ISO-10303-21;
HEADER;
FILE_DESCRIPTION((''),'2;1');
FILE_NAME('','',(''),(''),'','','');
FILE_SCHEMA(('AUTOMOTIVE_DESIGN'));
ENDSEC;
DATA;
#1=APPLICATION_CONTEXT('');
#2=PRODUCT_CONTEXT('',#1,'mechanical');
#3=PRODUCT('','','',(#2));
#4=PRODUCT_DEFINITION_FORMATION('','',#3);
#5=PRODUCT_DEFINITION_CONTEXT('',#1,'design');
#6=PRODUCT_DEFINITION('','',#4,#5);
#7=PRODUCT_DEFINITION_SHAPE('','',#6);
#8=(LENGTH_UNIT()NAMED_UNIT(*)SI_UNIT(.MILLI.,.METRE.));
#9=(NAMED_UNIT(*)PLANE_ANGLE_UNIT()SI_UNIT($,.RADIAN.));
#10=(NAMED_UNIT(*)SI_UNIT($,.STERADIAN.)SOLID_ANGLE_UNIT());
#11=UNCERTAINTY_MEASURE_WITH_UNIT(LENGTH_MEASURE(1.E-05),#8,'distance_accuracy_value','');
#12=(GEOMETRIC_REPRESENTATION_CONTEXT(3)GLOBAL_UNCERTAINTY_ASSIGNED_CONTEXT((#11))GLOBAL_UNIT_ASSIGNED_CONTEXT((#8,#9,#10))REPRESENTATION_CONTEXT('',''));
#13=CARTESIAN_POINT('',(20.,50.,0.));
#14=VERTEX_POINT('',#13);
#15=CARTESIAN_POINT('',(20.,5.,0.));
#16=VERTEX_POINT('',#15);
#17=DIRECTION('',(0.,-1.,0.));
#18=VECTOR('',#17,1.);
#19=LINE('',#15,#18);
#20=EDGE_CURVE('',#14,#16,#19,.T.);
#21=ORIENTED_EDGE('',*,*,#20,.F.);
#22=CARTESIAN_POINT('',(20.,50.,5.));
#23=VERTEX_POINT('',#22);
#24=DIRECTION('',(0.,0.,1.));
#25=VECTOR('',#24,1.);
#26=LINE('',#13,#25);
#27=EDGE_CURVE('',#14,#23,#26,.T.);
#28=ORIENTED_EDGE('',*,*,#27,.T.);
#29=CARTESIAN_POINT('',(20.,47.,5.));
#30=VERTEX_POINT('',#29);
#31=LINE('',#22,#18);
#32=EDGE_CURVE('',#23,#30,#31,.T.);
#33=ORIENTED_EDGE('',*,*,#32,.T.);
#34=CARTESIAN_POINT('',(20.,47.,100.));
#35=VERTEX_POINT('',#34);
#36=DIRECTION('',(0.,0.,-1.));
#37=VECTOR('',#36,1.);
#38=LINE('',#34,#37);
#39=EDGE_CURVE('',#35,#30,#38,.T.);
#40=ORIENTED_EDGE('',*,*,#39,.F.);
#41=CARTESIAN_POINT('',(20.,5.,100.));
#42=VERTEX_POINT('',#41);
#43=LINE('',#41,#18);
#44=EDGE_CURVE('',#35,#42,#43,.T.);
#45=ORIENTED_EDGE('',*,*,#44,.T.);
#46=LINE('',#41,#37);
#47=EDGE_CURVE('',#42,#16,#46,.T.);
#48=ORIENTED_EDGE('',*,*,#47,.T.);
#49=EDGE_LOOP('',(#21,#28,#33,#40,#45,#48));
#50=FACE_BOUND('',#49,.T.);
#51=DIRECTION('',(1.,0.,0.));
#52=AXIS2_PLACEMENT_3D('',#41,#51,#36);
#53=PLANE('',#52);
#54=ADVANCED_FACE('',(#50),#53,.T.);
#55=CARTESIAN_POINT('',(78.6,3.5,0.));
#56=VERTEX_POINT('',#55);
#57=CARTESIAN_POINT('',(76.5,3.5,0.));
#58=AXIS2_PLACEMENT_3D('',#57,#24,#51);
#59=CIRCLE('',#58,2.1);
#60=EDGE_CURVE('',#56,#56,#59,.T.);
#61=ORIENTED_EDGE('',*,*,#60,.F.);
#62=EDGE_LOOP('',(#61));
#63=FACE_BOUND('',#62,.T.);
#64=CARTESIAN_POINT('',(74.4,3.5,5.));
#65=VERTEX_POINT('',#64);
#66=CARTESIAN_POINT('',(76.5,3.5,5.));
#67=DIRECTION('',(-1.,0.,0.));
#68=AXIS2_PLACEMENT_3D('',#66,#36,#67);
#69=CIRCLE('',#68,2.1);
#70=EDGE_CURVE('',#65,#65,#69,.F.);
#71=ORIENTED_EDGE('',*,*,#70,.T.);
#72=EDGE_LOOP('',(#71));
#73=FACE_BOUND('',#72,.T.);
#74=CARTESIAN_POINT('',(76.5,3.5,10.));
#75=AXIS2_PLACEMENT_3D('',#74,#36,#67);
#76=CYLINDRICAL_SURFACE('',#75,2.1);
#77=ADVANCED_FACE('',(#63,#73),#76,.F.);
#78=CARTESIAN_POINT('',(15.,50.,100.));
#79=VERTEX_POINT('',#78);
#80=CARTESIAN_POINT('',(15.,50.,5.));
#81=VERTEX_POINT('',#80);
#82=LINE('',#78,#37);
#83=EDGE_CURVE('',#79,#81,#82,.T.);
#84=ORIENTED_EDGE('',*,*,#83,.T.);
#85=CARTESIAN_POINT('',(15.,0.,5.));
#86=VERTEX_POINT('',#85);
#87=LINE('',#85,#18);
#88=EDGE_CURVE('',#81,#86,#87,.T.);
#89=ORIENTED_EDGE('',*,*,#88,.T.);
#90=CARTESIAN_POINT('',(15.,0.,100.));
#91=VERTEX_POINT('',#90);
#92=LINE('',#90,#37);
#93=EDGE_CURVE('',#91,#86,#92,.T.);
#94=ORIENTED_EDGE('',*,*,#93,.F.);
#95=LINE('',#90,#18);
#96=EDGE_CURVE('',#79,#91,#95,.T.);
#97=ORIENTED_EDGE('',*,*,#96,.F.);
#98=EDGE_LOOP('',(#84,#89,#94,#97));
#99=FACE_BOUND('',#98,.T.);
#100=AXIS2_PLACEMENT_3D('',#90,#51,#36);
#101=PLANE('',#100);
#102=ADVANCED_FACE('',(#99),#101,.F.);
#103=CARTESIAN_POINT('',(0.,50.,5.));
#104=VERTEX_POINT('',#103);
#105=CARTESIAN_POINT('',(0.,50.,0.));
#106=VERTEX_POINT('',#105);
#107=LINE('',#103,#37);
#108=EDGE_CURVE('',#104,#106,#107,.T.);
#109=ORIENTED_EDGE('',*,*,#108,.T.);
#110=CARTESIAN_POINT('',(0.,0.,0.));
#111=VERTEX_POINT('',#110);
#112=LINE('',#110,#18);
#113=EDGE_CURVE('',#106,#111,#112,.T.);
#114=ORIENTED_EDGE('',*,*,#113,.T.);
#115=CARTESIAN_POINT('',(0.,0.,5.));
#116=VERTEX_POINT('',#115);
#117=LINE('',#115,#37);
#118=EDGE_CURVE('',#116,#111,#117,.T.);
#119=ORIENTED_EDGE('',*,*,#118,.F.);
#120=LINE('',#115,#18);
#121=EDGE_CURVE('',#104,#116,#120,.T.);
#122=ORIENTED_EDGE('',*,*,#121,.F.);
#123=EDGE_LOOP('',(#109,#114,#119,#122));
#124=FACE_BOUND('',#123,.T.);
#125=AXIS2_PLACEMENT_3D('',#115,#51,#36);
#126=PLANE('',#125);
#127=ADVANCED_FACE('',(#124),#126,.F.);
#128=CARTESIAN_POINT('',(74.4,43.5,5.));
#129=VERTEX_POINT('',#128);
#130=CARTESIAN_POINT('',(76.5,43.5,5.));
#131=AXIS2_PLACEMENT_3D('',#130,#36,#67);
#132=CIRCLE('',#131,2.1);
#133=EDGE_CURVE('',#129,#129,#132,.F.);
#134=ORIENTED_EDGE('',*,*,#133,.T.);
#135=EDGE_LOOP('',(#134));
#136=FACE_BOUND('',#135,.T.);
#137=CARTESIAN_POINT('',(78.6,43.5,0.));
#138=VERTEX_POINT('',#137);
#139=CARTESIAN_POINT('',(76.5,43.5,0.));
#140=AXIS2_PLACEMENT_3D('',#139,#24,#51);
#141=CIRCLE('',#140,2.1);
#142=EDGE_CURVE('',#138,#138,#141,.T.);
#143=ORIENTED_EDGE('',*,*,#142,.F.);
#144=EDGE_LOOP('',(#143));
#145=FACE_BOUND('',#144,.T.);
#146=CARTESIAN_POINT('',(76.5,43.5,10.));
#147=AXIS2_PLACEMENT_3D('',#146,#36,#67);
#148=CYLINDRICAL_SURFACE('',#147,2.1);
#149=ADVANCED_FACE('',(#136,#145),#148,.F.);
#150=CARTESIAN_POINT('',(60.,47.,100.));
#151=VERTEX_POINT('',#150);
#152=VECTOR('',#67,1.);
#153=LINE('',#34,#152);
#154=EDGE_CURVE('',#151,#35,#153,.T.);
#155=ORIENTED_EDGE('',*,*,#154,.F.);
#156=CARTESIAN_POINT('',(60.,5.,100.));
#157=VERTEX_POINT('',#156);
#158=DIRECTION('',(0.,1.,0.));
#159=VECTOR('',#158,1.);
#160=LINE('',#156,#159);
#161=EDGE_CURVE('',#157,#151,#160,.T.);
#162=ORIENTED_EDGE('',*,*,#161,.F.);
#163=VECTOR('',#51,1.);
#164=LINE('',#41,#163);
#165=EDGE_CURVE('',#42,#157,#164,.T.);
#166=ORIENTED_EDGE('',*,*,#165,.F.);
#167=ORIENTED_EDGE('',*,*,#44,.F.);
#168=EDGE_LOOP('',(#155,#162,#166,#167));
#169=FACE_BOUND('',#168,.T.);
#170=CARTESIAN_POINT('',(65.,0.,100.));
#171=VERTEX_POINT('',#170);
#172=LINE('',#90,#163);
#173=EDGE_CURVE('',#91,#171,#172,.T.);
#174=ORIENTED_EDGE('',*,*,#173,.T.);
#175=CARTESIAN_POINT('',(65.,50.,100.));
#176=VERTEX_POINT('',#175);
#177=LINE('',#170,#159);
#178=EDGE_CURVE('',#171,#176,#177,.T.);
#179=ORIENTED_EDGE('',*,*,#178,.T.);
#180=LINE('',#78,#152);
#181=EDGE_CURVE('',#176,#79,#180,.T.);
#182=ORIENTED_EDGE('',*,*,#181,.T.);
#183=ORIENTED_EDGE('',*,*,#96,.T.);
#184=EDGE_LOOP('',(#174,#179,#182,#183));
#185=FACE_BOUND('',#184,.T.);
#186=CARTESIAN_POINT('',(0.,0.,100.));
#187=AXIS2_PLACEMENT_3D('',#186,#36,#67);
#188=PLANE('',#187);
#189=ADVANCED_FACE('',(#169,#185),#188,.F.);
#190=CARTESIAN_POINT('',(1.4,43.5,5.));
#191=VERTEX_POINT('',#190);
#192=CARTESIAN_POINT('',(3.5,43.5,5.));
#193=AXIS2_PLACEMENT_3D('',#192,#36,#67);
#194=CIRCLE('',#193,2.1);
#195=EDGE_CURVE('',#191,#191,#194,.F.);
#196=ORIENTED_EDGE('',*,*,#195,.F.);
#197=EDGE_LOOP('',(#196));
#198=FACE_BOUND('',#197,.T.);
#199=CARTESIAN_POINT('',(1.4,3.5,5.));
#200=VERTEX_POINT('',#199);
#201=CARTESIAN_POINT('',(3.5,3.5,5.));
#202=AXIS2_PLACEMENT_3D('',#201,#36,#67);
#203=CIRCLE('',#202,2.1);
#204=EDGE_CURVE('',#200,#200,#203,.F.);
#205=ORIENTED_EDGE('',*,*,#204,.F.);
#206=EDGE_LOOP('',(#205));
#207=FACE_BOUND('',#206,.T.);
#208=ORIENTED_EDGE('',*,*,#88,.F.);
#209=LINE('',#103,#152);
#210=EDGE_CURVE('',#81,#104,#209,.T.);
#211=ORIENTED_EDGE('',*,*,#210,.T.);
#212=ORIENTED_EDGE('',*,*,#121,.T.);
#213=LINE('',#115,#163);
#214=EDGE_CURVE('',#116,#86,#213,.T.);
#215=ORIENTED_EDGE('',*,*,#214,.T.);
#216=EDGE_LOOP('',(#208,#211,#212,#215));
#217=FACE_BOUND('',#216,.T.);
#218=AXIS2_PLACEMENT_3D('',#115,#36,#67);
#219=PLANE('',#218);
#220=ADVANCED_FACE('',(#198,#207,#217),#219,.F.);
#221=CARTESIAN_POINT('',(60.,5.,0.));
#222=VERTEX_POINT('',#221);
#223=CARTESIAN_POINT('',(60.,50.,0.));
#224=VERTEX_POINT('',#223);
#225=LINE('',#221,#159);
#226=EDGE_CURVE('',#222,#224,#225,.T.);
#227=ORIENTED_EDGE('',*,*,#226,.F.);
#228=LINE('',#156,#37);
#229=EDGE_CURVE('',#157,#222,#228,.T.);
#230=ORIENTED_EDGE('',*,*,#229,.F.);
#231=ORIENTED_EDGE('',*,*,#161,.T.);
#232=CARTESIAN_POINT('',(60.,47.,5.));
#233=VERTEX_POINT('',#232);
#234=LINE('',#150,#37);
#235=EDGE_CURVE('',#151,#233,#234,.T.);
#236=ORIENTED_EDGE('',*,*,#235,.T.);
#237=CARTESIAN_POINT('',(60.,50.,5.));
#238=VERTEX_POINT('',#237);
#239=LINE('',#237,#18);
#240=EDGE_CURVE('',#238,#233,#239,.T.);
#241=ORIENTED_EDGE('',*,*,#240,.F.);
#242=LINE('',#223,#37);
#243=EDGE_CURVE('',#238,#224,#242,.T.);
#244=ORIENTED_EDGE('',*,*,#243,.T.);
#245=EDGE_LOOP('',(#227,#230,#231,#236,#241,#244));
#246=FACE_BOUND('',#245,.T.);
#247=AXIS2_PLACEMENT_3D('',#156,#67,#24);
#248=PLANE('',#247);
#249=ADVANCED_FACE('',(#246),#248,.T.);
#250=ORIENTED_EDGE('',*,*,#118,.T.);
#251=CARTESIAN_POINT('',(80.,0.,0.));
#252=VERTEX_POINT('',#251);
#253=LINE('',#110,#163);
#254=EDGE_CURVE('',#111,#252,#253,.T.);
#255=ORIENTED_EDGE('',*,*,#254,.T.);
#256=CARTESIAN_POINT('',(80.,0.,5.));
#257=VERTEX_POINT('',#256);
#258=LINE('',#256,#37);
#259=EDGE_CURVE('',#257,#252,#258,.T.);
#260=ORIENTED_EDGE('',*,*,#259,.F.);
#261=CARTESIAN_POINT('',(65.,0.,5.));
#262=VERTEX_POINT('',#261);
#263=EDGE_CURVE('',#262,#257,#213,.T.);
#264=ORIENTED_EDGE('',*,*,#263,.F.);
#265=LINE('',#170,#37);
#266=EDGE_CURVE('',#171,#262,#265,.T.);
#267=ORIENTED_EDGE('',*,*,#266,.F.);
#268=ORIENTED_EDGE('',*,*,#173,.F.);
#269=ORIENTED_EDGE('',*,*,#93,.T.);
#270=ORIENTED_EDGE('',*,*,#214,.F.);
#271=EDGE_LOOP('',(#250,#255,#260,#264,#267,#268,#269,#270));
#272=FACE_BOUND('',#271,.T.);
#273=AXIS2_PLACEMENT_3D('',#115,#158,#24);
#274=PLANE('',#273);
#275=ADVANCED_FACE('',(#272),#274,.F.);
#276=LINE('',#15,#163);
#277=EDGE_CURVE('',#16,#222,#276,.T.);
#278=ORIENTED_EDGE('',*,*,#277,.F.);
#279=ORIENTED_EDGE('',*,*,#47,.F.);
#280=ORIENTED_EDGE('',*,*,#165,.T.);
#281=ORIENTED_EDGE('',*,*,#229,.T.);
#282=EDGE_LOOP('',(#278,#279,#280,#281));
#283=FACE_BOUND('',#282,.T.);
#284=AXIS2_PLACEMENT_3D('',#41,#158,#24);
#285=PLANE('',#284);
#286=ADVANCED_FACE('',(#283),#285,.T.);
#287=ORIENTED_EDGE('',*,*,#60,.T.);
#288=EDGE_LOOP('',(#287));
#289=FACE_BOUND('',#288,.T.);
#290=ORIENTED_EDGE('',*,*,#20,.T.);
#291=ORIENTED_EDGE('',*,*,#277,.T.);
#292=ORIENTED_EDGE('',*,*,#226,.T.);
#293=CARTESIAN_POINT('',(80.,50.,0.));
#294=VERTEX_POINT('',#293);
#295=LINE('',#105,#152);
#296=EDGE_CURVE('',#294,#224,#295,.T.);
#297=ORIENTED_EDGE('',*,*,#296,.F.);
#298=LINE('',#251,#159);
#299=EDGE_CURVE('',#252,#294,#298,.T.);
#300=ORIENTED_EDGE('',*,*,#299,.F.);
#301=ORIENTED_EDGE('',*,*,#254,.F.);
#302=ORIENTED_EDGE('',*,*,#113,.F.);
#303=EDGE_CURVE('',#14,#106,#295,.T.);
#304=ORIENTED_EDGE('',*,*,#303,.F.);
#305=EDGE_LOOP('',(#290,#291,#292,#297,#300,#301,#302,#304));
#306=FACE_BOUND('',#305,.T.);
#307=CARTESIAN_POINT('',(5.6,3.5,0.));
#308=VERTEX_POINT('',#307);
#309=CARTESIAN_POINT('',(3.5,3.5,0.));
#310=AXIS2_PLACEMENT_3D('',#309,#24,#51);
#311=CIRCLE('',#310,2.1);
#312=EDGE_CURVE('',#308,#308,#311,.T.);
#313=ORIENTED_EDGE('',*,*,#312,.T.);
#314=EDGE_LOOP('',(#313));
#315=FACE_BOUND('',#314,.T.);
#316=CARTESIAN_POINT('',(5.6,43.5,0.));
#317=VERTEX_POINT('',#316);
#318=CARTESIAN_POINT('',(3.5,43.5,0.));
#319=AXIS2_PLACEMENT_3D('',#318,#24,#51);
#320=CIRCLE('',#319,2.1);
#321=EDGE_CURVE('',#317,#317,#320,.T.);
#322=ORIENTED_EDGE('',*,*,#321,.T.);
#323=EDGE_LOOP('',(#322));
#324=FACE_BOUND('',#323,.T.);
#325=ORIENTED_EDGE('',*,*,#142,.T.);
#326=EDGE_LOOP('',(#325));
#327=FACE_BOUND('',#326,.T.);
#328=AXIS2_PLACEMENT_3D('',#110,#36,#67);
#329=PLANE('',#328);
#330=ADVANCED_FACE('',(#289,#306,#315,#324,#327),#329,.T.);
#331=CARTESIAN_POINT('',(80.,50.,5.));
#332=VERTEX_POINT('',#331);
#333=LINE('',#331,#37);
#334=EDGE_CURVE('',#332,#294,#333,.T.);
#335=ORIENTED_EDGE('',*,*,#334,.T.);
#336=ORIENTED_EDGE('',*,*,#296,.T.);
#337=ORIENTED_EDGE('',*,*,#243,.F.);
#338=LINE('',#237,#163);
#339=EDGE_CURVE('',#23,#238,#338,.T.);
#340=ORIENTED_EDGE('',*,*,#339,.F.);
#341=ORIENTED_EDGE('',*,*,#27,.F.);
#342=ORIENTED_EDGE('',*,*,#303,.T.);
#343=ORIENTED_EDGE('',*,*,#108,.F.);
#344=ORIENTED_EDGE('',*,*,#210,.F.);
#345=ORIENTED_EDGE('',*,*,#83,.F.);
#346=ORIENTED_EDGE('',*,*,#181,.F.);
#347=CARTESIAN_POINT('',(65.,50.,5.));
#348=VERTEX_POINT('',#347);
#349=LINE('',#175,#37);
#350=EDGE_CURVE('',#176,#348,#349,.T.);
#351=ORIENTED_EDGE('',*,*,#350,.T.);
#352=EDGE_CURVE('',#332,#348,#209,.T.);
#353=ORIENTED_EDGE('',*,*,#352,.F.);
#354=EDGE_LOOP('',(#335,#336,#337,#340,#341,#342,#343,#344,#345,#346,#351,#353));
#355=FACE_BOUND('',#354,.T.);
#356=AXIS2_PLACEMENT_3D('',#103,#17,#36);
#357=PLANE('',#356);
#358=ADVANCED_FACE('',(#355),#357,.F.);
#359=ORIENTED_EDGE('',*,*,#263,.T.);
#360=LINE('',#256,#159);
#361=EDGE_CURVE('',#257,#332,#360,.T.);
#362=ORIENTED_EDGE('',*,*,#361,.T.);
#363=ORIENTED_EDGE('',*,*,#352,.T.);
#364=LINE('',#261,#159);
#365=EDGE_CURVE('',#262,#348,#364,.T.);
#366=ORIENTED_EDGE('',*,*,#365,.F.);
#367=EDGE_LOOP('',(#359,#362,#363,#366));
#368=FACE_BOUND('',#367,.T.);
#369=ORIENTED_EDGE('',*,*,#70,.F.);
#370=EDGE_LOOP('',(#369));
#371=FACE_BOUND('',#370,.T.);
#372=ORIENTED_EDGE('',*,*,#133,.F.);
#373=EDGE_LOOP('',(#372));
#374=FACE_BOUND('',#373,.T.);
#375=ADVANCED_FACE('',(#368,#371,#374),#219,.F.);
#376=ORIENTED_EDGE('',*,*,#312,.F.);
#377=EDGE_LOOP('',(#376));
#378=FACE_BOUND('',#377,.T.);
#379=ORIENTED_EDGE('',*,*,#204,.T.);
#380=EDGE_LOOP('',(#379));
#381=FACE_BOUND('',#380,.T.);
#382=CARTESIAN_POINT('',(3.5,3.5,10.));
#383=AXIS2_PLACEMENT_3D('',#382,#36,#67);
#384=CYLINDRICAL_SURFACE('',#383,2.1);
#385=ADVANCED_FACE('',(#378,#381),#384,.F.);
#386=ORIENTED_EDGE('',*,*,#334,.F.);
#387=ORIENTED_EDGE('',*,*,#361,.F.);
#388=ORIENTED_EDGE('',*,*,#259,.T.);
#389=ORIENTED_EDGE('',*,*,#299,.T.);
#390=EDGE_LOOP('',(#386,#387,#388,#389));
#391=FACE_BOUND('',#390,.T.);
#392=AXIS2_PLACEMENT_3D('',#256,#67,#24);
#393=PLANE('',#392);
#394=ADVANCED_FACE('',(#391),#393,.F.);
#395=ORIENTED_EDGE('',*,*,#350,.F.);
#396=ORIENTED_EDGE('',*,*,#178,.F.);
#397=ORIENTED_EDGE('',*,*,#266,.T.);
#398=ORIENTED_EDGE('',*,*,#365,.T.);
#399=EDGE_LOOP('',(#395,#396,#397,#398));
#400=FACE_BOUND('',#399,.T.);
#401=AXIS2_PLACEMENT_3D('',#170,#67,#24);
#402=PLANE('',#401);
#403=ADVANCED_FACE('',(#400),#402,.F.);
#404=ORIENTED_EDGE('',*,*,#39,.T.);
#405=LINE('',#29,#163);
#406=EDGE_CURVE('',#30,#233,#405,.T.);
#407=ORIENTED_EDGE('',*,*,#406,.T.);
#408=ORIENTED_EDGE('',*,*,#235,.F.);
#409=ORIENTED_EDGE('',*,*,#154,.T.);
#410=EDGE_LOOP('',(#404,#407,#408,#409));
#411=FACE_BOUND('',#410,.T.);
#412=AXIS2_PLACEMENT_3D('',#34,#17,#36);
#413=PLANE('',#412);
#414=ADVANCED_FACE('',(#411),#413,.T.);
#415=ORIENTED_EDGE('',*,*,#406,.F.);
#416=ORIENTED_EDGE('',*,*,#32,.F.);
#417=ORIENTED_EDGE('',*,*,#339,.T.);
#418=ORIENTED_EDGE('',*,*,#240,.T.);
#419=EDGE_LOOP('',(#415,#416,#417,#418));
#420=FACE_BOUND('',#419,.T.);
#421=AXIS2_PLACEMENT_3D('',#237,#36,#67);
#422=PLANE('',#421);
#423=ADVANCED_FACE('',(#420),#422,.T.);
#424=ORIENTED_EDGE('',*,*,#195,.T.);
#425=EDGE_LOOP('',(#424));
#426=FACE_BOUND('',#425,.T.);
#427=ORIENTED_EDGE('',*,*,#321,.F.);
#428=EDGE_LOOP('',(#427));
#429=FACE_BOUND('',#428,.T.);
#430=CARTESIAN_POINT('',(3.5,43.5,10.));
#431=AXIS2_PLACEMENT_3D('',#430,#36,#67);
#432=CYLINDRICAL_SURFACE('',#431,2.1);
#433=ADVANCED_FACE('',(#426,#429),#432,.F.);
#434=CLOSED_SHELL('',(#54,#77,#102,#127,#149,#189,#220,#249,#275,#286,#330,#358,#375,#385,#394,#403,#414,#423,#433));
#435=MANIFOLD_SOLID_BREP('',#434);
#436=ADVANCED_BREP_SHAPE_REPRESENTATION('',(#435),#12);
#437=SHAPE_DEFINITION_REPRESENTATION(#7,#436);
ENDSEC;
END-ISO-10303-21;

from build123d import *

# Parameters (mm, degrees)
SKETCH_1_W          = 80
SKETCH_1_H          = 50
EXTRUDE_1_DEPTH     = 5
SKETCH_2_W          = 50
SKETCH_2_H          = 50
EXTRUDE_2_DEPTH     = 100
SKETCH_4_W          = 40
SKETCH_4_H          = 42
CUT_EXTRUDE_1_DEPTH = 138.477270849
SKETCH_5_R          = 2.1
CUT_EXTRUDE_2_DEPTH = 10
CUT_EXTRUDE_START   = 40
SKETCH_7_W          = 40
SKETCH_7_H          = 5
CUT_EXTRUDE_4_DEPTH = 98.477270849


with BuildPart() as part:
    # 草圖1 → 填料-伸長1 (new body)
    with BuildSketch(Plane.XY):
        with Locations((40, 25)):
            Rectangle(SKETCH_1_W, SKETCH_1_H)
    extrude(amount=EXTRUDE_1_DEPTH)

    # 草圖2 → 填料-伸長2 (add)
    with BuildSketch(Plane.XY):
        with Locations((40, 25)):
            Rectangle(SKETCH_2_W, SKETCH_2_H)
    extrude(amount=EXTRUDE_2_DEPTH)

    # 草圖4 → 除料-伸長1 (cut, through all)
    with BuildSketch(Plane.XY):
        with Locations((40, 26)):
            Rectangle(SKETCH_4_W, SKETCH_4_H)
    extrude(amount=CUT_EXTRUDE_1_DEPTH, mode=Mode.SUBTRACT)

    # 草圖5 → 除料-伸長2 (cut)
    with BuildSketch(Plane.XY):
        with Locations(Location((76.5, 3.5, 0), (0, 0, 180))):
            Circle(SKETCH_5_R)
        with Locations(Location((76.5, 43.5, 0), (0, 0, 180))):
            Circle(SKETCH_5_R)
        with Locations(Location((3.5, 3.5, 0), (0, 0, 180))):
            Circle(SKETCH_5_R)
        with Locations(Location((3.5, 43.5, 0), (0, 0, 180))):
            Circle(SKETCH_5_R)
    extrude(amount=CUT_EXTRUDE_2_DEPTH, mode=Mode.SUBTRACT)

    # 草圖7 → 除料-伸長4 (cut, through all)
    with BuildSketch(Plane(origin=(0, 0, 0), x_dir=(1, 0, 0), z_dir=(0, 1, 0)).offset(CUT_EXTRUDE_START)):
        with Locations((40, -2.5)):
            Rectangle(SKETCH_7_W, SKETCH_7_H)
    extrude(amount=CUT_EXTRUDE_4_DEPTH, mode=Mode.SUBTRACT)


solid = part.part
